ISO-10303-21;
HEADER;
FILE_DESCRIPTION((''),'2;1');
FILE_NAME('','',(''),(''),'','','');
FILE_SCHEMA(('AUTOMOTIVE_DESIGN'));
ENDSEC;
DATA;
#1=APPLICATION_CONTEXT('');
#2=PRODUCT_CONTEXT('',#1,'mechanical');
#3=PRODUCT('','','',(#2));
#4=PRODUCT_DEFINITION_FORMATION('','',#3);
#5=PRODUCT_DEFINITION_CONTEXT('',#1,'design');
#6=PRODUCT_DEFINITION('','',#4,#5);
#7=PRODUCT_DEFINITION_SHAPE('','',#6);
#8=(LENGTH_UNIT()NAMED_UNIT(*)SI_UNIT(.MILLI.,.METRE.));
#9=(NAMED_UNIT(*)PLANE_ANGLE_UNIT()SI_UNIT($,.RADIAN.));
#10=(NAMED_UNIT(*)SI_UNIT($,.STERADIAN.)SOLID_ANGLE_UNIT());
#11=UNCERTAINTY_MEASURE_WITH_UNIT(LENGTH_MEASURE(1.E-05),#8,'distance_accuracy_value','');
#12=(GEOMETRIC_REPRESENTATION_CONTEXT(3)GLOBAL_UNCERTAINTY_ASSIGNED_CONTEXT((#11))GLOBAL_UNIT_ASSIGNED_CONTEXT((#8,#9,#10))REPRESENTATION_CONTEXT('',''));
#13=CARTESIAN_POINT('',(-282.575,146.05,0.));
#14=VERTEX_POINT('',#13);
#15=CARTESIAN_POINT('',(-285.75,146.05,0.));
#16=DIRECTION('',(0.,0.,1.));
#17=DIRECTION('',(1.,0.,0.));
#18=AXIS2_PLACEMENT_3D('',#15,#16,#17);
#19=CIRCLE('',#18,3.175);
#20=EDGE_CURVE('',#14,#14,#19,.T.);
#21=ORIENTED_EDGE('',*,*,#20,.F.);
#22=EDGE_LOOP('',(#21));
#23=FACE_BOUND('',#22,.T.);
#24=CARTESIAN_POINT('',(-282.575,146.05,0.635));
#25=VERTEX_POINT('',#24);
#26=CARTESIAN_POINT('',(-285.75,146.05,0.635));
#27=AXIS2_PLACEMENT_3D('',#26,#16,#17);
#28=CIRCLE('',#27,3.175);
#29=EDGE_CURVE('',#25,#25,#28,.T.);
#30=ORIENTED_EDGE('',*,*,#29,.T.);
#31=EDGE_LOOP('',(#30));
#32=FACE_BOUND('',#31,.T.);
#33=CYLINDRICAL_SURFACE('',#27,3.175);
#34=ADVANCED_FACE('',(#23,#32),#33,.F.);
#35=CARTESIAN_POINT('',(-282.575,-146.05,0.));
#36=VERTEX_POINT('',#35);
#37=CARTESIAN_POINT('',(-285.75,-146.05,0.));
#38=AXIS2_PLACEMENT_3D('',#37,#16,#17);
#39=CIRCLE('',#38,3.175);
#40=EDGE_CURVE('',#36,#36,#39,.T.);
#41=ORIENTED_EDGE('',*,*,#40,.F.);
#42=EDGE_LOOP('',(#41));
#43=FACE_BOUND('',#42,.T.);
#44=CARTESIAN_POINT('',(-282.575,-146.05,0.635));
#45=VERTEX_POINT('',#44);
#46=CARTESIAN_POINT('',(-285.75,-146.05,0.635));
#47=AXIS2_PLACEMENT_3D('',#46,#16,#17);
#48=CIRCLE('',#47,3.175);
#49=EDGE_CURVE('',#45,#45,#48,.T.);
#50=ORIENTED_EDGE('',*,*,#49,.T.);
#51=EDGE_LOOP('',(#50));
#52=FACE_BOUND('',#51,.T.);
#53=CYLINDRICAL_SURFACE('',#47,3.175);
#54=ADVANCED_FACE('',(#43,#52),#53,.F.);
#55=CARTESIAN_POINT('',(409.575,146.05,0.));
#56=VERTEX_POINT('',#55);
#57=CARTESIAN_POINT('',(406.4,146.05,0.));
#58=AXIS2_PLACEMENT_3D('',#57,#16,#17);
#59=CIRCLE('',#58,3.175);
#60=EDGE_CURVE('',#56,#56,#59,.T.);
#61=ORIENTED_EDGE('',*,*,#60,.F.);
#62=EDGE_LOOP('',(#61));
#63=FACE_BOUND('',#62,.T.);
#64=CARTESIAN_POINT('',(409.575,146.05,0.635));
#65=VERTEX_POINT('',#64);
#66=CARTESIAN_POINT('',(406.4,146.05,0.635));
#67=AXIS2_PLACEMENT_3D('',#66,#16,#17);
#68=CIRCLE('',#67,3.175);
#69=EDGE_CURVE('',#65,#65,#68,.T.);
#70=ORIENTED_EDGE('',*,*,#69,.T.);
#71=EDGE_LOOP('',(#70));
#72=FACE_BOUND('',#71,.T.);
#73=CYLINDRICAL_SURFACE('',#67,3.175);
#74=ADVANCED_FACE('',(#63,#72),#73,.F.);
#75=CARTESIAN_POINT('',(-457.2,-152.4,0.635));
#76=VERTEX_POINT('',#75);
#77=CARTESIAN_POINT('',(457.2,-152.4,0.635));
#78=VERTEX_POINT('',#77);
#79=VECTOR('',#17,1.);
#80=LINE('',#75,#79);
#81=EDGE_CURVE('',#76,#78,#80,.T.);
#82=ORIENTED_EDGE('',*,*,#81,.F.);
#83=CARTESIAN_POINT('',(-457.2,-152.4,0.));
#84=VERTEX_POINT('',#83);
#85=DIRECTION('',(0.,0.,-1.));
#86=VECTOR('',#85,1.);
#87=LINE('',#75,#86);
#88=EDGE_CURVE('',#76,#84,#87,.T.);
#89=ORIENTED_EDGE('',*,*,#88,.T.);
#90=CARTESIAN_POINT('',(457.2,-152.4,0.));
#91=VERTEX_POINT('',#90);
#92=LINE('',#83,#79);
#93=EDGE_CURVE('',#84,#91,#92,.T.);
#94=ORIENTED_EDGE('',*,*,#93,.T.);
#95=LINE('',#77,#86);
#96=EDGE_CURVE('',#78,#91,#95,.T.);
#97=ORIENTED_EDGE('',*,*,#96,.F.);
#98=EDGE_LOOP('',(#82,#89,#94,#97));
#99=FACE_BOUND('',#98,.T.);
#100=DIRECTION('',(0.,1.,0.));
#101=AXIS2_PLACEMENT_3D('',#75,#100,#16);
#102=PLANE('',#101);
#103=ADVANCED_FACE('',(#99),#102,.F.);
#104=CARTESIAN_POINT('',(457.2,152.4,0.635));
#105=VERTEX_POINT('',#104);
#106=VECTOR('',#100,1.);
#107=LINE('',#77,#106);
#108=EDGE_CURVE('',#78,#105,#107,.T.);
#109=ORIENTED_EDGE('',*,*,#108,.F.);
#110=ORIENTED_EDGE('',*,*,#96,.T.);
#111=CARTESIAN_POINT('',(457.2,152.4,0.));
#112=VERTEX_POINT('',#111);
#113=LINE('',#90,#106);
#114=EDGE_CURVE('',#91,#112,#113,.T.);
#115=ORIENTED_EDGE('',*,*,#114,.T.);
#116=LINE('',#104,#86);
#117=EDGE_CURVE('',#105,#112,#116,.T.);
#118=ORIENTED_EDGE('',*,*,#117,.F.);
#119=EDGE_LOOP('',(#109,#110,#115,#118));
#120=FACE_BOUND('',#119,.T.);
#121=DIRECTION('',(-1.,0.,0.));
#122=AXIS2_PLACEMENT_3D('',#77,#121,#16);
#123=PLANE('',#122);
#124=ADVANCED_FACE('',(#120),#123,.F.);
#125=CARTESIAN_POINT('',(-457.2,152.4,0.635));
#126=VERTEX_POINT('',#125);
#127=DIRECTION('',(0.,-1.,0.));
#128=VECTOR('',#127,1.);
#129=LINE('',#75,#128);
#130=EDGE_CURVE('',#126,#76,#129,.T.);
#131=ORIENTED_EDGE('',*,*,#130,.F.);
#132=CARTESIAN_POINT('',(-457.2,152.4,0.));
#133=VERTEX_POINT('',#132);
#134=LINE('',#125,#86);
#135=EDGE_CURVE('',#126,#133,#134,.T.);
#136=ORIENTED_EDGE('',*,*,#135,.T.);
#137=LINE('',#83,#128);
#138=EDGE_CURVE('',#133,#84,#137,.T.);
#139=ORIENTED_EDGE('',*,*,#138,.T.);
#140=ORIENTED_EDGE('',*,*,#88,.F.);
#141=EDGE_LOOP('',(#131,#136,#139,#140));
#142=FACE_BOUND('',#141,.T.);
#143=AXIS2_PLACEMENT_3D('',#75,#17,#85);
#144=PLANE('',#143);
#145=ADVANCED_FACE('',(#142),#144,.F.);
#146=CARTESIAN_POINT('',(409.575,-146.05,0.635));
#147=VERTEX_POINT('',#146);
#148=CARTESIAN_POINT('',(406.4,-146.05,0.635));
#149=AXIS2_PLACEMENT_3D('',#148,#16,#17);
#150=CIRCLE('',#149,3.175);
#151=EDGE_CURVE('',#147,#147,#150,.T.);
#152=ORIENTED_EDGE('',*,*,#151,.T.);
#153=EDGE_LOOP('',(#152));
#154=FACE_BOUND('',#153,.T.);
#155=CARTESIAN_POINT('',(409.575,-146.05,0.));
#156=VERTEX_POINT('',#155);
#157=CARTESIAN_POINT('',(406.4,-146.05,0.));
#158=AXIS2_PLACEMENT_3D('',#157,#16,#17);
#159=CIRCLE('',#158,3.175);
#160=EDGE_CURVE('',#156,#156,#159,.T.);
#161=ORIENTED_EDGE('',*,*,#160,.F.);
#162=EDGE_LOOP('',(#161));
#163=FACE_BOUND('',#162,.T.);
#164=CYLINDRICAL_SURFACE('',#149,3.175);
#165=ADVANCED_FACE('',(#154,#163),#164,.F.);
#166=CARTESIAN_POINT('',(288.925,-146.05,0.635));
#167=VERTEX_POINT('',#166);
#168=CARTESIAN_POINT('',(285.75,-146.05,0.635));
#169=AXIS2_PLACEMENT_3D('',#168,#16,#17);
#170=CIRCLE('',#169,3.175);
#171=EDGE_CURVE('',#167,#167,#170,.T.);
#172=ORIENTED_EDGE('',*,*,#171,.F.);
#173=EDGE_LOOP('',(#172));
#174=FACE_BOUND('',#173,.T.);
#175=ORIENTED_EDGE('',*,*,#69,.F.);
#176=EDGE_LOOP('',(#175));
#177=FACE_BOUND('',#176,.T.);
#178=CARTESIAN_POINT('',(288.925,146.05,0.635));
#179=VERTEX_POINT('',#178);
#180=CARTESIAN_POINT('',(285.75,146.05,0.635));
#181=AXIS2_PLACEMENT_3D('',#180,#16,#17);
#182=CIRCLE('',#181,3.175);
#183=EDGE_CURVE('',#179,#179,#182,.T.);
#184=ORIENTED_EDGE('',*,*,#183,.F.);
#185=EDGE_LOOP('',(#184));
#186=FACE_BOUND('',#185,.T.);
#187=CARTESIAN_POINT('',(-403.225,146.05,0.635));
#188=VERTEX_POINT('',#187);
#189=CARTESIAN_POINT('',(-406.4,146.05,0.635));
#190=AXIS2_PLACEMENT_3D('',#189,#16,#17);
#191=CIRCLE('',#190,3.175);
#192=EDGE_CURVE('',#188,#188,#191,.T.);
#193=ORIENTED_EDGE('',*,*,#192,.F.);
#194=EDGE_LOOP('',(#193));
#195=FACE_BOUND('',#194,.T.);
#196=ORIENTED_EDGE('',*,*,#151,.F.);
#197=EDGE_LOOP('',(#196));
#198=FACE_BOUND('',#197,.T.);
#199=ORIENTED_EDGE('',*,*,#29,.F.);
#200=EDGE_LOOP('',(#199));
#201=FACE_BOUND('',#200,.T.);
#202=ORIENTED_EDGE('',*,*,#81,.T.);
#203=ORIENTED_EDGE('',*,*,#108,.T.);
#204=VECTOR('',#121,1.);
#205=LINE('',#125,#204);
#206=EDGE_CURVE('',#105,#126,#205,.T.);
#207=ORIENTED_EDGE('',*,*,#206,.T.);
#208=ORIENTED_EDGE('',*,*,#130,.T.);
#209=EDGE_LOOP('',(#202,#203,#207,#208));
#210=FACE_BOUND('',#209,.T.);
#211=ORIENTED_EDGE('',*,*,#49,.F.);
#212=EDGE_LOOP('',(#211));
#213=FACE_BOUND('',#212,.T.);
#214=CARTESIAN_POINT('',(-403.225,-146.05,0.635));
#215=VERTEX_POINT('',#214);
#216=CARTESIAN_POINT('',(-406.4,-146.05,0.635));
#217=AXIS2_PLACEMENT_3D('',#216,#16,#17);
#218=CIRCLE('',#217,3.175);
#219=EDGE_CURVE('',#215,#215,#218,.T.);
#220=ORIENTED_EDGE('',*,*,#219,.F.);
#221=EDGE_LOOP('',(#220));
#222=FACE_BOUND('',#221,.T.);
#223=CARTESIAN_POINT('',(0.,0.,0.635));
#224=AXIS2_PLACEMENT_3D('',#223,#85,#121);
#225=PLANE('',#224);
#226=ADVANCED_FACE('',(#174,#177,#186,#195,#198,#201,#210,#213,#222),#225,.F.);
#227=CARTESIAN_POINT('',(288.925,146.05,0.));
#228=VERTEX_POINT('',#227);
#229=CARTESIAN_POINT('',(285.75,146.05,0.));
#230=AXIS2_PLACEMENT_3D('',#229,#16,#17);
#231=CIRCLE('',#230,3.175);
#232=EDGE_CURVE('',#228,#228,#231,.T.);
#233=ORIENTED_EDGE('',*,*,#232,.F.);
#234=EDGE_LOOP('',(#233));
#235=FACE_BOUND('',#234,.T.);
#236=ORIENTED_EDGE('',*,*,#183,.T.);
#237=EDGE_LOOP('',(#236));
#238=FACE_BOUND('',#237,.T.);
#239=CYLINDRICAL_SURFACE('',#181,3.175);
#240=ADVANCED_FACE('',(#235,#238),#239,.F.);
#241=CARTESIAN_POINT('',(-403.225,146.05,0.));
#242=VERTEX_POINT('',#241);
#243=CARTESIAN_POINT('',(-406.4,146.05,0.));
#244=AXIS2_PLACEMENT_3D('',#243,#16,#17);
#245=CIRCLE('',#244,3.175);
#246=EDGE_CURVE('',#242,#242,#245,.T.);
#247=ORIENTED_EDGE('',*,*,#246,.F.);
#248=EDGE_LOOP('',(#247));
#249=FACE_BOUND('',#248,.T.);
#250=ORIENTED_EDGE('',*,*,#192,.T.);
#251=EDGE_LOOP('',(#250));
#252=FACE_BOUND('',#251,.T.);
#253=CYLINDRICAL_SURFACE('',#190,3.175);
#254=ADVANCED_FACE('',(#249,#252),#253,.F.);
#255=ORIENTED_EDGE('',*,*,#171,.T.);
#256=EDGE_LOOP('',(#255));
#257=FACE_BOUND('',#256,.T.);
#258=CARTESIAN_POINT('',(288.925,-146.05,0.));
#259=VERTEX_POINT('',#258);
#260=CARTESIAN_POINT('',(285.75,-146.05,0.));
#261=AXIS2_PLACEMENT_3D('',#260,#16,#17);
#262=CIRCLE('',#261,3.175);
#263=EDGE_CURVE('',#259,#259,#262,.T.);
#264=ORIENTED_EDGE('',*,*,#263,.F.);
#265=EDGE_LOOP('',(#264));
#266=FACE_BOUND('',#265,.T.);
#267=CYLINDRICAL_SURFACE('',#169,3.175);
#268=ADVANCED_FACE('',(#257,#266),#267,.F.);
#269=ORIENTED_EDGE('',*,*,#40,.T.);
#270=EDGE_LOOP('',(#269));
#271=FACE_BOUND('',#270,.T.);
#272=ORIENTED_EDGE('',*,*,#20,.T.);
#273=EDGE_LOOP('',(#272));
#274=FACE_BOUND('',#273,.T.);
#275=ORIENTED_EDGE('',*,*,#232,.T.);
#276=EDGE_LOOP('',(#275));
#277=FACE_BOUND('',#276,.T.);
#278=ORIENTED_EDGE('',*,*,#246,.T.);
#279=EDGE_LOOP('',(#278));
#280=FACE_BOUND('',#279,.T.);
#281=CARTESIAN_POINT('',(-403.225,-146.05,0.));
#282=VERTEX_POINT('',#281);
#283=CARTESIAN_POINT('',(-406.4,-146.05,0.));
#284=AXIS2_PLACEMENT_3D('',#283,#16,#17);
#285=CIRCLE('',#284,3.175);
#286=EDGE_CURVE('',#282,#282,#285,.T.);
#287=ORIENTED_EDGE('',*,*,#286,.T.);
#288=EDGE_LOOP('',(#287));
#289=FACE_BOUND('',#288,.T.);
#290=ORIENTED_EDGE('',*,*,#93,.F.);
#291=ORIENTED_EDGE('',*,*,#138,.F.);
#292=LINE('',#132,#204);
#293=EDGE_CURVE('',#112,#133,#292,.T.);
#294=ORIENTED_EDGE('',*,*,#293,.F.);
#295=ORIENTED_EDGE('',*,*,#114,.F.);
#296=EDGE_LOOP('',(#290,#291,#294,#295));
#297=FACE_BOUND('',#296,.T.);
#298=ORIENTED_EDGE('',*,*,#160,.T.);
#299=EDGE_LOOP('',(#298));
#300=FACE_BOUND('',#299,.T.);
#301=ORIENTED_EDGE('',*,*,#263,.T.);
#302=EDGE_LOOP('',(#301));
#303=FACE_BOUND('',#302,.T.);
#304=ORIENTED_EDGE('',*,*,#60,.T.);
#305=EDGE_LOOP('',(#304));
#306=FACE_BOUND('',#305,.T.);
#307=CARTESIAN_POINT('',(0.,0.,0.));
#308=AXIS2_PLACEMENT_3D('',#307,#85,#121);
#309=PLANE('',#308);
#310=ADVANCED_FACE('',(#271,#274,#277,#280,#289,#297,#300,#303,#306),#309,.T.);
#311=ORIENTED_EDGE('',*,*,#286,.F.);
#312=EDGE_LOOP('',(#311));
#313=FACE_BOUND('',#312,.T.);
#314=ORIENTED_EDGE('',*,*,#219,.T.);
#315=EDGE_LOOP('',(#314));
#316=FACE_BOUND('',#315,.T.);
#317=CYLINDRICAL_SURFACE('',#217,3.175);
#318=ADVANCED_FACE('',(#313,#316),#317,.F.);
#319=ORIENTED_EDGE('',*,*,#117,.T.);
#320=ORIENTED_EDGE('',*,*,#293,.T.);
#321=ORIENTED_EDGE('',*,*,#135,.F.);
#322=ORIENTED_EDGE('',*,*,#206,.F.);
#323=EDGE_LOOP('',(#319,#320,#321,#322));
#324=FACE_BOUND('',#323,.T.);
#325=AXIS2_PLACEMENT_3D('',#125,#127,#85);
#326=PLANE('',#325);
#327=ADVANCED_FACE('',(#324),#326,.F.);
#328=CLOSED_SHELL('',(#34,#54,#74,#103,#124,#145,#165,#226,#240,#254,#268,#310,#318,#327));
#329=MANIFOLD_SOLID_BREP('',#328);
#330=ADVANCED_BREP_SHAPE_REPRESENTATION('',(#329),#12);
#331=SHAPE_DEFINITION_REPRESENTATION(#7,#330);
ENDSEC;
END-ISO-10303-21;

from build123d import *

# Parameters (mm, degrees)
SKETCH1_W                   = 914.4
SKETCH1_H                   = 304.8
BOSS_EXTRUDE1_DEPTH         = 0.635
F_1_4_0_25_DIAMETER_HOLE1_D = 6.35


with BuildPart() as part:
    # Sketch1 → Boss-Extrude1 (new body)
    with BuildSketch(Plane.XY):
        Rectangle(SKETCH1_W, SKETCH1_H)
    extrude(amount=BOSS_EXTRUDE1_DEPTH)

    # 1/4 (0.25) Diameter Hole1 (through all)
    with Locations(Plane.XY.offset(0.635)):
        with Locations((285.75, 146.05), (406.4, 146.05), (406.4, -146.05), (285.75, -146.05)):
            f_1_4_0_25_diameter_hole1 = Hole(F_1_4_0_25_DIAMETER_HOLE1_D / 2)

    # Mirror1: 1/4 (0.25) Diameter Hole1 across plane
    add(f_1_4_0_25_diameter_hole1.mirror(Plane(origin=(0, 0, 0), x_dir=(0, 0, 1), z_dir=(1, 0, 0))), mode=Mode.SUBTRACT)


solid = part.part
